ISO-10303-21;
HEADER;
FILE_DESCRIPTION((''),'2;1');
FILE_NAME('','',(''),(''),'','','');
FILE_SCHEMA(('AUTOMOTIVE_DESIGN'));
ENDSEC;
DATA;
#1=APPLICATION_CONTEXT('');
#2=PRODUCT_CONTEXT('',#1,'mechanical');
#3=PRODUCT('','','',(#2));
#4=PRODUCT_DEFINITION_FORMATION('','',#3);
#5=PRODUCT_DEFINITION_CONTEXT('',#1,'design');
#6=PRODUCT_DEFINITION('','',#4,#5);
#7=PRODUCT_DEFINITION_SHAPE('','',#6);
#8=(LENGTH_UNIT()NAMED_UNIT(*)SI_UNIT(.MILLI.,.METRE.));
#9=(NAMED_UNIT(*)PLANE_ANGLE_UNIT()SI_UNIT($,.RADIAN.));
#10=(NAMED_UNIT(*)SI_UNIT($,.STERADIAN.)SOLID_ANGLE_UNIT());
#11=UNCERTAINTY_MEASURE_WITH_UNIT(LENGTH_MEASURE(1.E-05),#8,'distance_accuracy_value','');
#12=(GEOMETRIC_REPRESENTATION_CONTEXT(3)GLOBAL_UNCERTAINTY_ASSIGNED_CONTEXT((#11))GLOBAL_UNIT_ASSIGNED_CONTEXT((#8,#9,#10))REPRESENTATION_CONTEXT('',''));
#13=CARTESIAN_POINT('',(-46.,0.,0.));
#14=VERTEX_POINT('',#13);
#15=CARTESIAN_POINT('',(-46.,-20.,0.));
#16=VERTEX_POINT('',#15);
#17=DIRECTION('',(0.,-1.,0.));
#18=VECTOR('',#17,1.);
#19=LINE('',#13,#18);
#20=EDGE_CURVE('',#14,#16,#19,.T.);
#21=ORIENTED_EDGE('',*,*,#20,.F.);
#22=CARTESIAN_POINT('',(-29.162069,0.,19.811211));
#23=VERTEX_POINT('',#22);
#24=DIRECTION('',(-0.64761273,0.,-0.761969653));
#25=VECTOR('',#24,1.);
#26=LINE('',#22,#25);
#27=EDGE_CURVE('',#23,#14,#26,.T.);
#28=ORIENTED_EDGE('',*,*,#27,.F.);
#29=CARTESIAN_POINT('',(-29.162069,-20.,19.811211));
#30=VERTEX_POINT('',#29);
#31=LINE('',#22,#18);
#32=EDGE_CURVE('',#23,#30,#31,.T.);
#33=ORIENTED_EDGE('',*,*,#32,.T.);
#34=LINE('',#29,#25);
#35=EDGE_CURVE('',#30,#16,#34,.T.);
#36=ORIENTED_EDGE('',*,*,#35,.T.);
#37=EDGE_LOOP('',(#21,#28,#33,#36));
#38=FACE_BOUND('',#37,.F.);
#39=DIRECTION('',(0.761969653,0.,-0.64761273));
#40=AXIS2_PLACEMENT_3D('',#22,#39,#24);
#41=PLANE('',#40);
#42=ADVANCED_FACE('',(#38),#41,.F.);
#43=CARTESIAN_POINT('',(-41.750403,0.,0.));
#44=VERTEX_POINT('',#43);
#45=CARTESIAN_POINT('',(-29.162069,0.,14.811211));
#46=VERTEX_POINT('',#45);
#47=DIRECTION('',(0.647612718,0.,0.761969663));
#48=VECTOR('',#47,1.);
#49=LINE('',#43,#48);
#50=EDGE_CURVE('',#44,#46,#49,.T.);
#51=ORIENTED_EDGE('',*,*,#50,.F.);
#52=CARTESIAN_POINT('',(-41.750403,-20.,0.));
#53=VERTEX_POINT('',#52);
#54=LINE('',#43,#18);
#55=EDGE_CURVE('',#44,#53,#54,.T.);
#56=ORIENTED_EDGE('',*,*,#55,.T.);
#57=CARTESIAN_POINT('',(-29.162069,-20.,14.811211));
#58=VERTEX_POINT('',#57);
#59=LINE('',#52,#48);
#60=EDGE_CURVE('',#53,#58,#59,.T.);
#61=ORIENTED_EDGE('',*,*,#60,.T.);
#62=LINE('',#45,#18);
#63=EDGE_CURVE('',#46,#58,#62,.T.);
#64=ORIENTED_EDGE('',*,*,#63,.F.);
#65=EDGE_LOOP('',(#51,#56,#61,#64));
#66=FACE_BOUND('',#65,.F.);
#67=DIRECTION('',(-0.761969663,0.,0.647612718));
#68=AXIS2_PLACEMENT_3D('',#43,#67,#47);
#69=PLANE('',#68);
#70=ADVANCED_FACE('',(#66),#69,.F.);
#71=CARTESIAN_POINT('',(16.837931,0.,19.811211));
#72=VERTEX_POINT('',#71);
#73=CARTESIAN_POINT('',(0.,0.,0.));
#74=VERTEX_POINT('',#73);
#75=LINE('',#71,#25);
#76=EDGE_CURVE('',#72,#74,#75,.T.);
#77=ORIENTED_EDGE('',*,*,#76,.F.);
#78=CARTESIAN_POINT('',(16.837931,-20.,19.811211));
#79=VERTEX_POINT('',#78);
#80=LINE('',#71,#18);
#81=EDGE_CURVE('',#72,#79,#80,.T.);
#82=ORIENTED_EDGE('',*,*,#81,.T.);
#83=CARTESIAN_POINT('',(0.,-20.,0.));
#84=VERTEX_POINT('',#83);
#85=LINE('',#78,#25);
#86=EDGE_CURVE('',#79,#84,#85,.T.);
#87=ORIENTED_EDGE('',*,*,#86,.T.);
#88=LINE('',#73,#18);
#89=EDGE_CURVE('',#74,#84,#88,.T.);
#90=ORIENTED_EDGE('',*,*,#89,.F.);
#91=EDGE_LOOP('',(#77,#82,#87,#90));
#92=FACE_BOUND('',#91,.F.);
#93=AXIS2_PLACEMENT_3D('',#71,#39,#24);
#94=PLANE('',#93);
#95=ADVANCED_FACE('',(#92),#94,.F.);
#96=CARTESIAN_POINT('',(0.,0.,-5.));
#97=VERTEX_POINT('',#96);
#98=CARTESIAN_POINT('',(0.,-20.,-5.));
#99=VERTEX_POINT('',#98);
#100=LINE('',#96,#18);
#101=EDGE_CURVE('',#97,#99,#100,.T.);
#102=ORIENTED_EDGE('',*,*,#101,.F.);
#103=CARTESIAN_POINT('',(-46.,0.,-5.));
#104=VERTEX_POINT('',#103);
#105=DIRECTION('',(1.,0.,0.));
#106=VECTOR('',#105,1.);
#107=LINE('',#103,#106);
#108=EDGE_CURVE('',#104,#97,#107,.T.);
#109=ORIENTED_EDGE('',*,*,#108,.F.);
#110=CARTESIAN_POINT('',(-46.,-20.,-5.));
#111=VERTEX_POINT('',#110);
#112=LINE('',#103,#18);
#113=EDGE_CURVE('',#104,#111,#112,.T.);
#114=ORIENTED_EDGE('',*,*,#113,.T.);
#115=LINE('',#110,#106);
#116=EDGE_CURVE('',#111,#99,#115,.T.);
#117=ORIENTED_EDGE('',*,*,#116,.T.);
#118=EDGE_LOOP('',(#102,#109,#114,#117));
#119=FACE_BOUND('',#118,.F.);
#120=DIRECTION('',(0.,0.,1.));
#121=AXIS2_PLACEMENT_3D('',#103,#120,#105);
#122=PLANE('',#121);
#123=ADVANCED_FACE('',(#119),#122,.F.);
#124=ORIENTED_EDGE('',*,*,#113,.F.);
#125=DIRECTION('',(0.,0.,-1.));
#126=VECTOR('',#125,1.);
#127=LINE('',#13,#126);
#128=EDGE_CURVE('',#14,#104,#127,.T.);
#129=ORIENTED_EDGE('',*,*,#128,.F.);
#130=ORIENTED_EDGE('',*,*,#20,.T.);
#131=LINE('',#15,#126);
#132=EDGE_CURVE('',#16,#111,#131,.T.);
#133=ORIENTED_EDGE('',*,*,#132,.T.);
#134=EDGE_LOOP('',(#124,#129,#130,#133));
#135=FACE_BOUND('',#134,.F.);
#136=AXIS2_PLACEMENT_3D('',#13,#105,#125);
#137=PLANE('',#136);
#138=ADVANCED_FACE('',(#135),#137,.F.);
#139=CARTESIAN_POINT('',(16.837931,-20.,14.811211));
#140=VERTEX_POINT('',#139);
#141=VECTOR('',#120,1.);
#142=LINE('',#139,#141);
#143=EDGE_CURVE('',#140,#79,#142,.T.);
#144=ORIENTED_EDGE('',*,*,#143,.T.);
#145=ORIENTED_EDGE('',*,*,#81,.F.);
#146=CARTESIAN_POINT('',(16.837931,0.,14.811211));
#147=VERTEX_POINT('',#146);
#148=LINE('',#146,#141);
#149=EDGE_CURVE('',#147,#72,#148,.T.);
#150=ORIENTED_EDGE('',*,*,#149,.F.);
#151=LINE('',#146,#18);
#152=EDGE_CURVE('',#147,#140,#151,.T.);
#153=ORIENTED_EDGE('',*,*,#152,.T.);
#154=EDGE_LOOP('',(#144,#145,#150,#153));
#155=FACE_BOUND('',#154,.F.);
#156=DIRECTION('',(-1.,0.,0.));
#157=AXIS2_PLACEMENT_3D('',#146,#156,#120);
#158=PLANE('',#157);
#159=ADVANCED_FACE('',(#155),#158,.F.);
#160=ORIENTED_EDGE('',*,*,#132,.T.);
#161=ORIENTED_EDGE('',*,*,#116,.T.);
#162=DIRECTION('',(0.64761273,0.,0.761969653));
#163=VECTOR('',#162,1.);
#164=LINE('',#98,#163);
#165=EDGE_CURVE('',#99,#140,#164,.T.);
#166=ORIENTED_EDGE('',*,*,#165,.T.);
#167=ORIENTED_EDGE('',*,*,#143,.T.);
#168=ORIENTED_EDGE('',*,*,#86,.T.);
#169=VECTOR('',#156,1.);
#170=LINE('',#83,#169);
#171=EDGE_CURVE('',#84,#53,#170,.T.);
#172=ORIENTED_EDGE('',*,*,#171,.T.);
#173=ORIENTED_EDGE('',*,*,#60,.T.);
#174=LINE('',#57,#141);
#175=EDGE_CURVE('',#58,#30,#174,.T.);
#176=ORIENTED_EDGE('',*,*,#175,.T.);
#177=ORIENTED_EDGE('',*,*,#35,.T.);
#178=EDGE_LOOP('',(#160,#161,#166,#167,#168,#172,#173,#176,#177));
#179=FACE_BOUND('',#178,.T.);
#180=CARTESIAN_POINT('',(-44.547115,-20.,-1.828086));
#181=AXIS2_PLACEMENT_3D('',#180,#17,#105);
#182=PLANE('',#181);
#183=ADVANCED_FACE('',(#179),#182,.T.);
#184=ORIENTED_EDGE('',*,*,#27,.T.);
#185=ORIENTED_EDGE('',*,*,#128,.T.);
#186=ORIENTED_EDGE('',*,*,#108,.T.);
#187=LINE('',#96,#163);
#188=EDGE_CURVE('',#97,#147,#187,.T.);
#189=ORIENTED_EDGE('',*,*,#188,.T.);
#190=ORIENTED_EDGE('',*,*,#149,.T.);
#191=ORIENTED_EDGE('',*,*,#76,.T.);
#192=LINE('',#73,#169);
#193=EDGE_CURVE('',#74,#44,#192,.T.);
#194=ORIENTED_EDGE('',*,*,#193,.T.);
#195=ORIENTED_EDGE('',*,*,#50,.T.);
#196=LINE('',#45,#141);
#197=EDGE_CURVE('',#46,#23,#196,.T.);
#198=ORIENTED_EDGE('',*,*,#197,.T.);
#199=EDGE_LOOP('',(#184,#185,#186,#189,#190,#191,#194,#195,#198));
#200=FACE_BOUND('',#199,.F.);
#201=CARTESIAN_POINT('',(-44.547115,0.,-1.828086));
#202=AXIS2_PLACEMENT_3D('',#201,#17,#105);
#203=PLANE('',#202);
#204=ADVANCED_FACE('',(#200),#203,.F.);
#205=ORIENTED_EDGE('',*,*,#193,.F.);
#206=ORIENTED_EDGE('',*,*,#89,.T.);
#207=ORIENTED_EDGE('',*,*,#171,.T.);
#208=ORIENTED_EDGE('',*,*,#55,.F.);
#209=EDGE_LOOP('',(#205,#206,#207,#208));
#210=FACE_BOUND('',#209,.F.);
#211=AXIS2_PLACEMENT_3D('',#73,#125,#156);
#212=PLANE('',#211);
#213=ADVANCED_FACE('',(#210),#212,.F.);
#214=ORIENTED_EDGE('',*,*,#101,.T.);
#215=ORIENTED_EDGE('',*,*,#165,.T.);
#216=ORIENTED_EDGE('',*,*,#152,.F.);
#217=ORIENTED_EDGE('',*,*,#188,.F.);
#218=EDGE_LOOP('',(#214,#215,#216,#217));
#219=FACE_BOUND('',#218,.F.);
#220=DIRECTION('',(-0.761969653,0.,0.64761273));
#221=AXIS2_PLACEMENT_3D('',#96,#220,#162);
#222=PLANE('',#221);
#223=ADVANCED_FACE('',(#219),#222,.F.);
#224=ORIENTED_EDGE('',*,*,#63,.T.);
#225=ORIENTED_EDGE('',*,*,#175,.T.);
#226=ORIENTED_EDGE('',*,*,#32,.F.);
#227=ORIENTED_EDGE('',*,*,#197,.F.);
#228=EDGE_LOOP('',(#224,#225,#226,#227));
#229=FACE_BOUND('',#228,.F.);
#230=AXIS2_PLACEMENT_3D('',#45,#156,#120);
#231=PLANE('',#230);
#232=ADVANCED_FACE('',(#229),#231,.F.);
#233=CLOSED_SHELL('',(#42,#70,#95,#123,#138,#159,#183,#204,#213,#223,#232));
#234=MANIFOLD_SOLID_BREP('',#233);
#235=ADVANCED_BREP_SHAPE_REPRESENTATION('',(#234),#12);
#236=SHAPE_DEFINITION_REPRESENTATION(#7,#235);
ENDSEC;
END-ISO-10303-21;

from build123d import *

# Parameters (mm, degrees)
F1_DEPTH = 20


with BuildPart() as f1:
    # F0 (on Front) → F1 (new body)
    with BuildSketch(Plane.XZ):
        Polygon((-46, -5), (-41.750403, 0), (-46, 0), align=None)
        Polygon((0, -5), (0, 0), (-41.750403, 0), (-46, -5), align=None)
        Polygon((-46, 0), (-41.750403, 0), (-29.162069, 14.811211), (-29.162069, 19.811211), align=None)
        Polygon((16.837931, 19.811211), (0, 0), (0, -5), (16.837931, 14.811211), align=None)
    extrude(amount=F1_DEPTH)


solid = f1.part
